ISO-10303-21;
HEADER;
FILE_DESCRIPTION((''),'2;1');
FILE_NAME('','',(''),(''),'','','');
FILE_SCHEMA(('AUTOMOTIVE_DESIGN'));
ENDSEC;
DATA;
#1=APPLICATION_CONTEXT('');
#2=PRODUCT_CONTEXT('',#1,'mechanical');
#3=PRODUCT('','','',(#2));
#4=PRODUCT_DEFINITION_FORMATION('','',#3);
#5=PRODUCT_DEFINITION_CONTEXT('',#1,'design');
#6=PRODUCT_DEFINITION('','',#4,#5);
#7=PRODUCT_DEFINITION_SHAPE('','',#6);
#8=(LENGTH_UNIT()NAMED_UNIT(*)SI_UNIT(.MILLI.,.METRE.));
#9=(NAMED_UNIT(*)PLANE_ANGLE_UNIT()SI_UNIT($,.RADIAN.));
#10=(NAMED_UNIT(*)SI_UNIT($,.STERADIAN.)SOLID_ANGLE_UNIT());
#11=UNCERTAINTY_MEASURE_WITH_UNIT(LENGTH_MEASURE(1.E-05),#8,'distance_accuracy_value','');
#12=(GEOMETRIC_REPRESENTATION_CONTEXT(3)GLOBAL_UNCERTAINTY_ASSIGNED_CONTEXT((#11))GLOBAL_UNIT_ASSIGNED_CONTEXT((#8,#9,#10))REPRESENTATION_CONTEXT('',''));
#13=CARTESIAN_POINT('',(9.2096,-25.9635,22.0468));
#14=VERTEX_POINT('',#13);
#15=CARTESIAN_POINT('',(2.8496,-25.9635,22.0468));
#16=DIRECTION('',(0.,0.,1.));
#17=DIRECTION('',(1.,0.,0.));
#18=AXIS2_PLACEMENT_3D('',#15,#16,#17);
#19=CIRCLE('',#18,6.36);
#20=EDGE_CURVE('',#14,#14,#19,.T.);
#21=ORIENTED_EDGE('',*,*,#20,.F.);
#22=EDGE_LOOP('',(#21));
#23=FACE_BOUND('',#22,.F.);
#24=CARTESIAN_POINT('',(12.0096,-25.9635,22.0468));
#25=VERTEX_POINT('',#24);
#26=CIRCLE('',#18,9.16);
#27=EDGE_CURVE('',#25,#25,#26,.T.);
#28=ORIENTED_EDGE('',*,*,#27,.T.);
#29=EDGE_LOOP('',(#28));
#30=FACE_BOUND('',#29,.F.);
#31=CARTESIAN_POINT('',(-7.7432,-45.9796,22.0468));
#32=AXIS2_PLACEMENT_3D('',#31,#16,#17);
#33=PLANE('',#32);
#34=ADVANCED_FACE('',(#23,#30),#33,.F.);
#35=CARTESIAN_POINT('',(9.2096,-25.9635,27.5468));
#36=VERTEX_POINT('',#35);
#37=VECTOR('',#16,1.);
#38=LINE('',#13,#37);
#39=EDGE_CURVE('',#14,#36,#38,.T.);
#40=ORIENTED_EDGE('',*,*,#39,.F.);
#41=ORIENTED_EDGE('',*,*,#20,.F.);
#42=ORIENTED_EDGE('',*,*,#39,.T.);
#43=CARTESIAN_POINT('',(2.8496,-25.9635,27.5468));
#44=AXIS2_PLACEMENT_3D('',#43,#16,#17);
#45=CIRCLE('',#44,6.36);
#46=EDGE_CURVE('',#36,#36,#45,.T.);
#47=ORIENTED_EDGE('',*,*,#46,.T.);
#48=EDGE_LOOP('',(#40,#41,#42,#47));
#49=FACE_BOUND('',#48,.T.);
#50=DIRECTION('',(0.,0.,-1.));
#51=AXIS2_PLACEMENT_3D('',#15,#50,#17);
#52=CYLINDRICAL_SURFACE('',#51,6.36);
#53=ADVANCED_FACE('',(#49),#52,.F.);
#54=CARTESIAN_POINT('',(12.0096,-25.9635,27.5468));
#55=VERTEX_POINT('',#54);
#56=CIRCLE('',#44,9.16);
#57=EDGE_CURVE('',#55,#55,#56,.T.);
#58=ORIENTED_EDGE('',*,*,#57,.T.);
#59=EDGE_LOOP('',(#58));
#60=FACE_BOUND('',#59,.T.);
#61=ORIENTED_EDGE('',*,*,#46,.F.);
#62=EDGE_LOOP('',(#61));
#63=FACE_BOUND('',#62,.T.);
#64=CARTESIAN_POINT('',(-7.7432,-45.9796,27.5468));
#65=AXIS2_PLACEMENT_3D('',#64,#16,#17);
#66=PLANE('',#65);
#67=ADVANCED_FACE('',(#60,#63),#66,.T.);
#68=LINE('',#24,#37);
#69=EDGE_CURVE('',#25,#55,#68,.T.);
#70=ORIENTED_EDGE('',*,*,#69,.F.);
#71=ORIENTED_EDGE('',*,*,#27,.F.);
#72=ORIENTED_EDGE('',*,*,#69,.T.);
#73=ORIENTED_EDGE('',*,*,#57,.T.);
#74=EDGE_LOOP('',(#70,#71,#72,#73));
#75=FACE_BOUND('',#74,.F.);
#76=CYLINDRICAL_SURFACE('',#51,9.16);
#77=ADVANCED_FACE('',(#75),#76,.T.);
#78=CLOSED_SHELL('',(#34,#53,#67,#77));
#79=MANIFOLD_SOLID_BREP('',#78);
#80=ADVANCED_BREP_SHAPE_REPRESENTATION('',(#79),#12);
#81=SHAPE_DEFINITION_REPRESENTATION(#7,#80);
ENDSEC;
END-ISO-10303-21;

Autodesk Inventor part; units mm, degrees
ref_plane "YZ Plane" through (0, 0, 0) normal (1, 0, 0) x (0, 1, 0)
ref_plane "XZ Plane" through (0, 0, 0) normal (0, 1, 0) x (-1, 0, 0)
ref_plane "XY Plane" through (0, 0, 0) normal (0, 0, 1) x (1, 0, 0)
ref_plane "Work Plane1" through (-7.7432, -45.9796, 22.0468) normal (0, 0, 1) x (1, 0, 0)
sketch "Sketch1" plane through (-7.7432, -45.9796, 22.0468) normal (0, 0, 1) x (1, 0, 0)
  spline S0 degree 3 number of poles 65 construction
  arc A0 (-1.7513, 49.5393) -> (-3.0984, 48.9393) centre (10.5928, 20.0161) ccw construction
  spline S1 degree 3 number of poles 65 construction
  arc A1 (-7.6198, 46.3277) -> (-8.8127, 45.4607) centre (10.5928, 20.0161) ccw construction
  spline S2 degree 3 number of poles 65 construction
  arc A2 (-12.6923, 41.9661) -> (-13.6789, 40.87) centre (10.5928, 20.0161) ccw construction
  spline S3 degree 3 number of poles 65 construction
  arc A3 (-16.7471, 36.6452) -> (-17.4843, 35.3679) centre (10.5928, 20.0161) ccw construction
  spline S4 degree 3 number of poles 65 construction
  arc A4 (-19.6071, 30.5975) -> (-20.0625, 29.1949) centre (10.5928, 20.0161) ccw construction
  spline S5 degree 3 number of poles 65 construction
  arc A5 (-21.1471, 24.0874) -> (-21.301, 22.6207) centre (10.5928, 20.0161) ccw construction
  spline S6 degree 3 number of poles 65 construction
  arc A6 (-21.3, 17.3993) -> (-21.1456, 15.9327) centre (10.5928, 20.0161) ccw construction
  spline S7 degree 3 number of poles 65 construction
  arc A7 (-20.059, 10.8256) -> (-19.603, 9.4231) centre (10.5928, 20.0161) ccw construction
  spline S8 degree 3 number of poles 65 construction
  arc A8 (-17.4784, 4.6536) -> (-16.7408, 3.3766) centre (10.5928, 20.0161) ccw construction
  spline S9 degree 3 number of poles 65 construction
  arc A9 (-13.6709, -0.8471) -> (-12.6839, -1.9428) centre (10.5928, 20.0161) ccw construction
  spline S10 degree 3 number of poles 65 construction
  arc A10 (-8.803, -5.4359) -> (-7.6098, -6.3025) centre (10.5928, 20.0161) ccw construction
  spline S11 degree 3 number of poles 65 construction
  arc A11 (-3.0874, -8.9123) -> (-1.7401, -9.5119) centre (10.5928, 20.0161) ccw construction
  spline S12 degree 3 number of poles 65 construction
  arc A12 (3.2261, -11.1244) -> (4.6687, -11.4307) centre (10.5928, 20.0161) ccw construction
  spline S13 degree 3 number of poles 65 construction
  arc A13 (9.8616, -11.9755) -> (11.3363, -11.9753) centre (10.5928, 20.0161) ccw construction
  spline S14 degree 3 number of poles 65 construction
  arc A14 (16.529, -11.4285) -> (17.9714, -11.1216) centre (10.5928, 20.0161) ccw construction
  spline S15 degree 3 number of poles 65 construction
  arc A15 (22.937, -9.5071) -> (24.2841, -8.9071) centre (10.5928, 20.0161) ccw construction
  spline S16 degree 3 number of poles 65 construction
  arc A16 (28.8054, -6.2955) -> (29.9983, -5.4284) centre (10.5928, 20.0161) ccw construction
  spline S17 degree 3 number of poles 65 construction
  arc A17 (33.8779, -1.9339) -> (34.8645, -0.8378) centre (10.5928, 20.0161) ccw construction
  spline S18 degree 3 number of poles 65 construction
  arc A18 (37.9328, 3.387) -> (38.6699, 4.6643) centre (10.5928, 20.0161) ccw construction
  spline S19 degree 3 number of poles 65 construction
  arc A19 (40.7927, 9.4347) -> (41.2482, 10.8373) centre (10.5928, 20.0161) ccw construction
  spline S20 degree 3 number of poles 65 construction
  arc A20 (42.3328, 15.9448) -> (42.4866, 17.4115) centre (10.5928, 20.0161) ccw construction
  spline S21 degree 3 number of poles 65 construction
  arc A21 (42.4856, 22.6329) -> (42.3312, 24.0995) centre (10.5928, 20.0161) ccw construction
  spline S22 degree 3 number of poles 65 construction
  arc A22 (41.2446, 29.2066) -> (40.7887, 30.6091) centre (10.5928, 20.0161) ccw construction
  spline S23 degree 3 number of poles 65 construction
  arc A23 (38.664, 35.3786) -> (37.9264, 36.6557) centre (10.5928, 20.0161) ccw construction
  spline S24 degree 3 number of poles 65 construction
  arc A24 (34.8565, 40.8793) -> (33.8695, 41.975) centre (10.5928, 20.0161) ccw construction
  spline S25 degree 3 number of poles 65 construction
  arc A25 (29.9886, 45.4681) -> (28.7954, 46.3347) centre (10.5928, 20.0161) ccw construction
  spline S26 degree 3 number of poles 65 construction
  arc A26 (24.273, 48.9445) -> (22.9257, 49.5441) centre (10.5928, 20.0161) ccw construction
  spline S27 degree 3 number of poles 65 construction
  arc A27 (17.9595, 51.1566) -> (16.517, 51.463) centre (10.5928, 20.0161) ccw construction
  spline S28 degree 3 number of poles 65 construction
  arc A28 (11.3241, 52.0077) -> (9.8493, 52.0075) centre (10.5928, 20.0161) ccw construction
  spline S29 degree 3 number of poles 65 construction
  arc A29 (4.6566, 51.4607) -> (3.2142, 51.1538) centre (10.5928, 20.0161) ccw construction
  circle A30 centre (10.5928, 20.0161) radius 6.16 construction
  line L0 (27.8335, 2.609) -> (17.5359, 14.0412) construction
  arc A31 (17.5359, 14.0412) -> (19.3648, 22.6538) centre (10.5928, 20.0161) ccw construction
  line L1 (19.3648, 22.6538) -> (33.4197, 28.9146) construction
  arc A32 (27.8335, 2.609) -> (33.4197, 28.9146) centre (10.5928, 20.0161) ccw construction
  line L2 (-0.6347, -1.7599) -> (7.0559, 11.5665) construction
  arc A33 (7.0559, 11.5665) -> (15.8121, 12.4885) centre (10.5928, 20.0161) ccw construction
  line L3 (15.8121, 12.4885) -> (26.1097, 1.0562) construction
  arc A34 (-0.6347, -1.7599) -> (26.1097, 1.0562) centre (10.5928, 20.0161) ccw construction
  line L4 (6.8765, 44.2326) -> (8.4877, 28.9309) construction
  arc A35 (8.4877, 28.9309) -> (1.9457, 23.0382) centre (10.5928, 20.0161) ccw construction
  line L5 (1.9457, 23.0382) -> (-13.1049, 26.2343) construction
  arc A36 (6.8765, 44.2326) -> (-13.1049, 26.2343) centre (10.5928, 20.0161) ccw construction
  line L6 (10.7949, 29.1739) -> (9.1837, 44.4755) construction
  arc A37 (32.4757, 31.0339) -> (9.1837, 44.4755) centre (10.5928, 20.0161) ccw construction
  line L7 (32.4757, 31.0339) -> (18.4208, 24.773) construction
  arc A38 (18.4208, 24.773) -> (10.7949, 29.1739) centre (10.5928, 20.0161) ccw construction
  line L8 (-13.5869, 23.965) -> (1.4638, 20.7688) construction
  arc A39 (1.4638, 20.7688) -> (5.0465, 12.7261) centre (10.5928, 20.0161) ccw construction
  line L9 (5.0465, 12.7261) -> (-2.6441, -0.6003) construction
  arc A40 (-13.5869, 23.965) -> (-2.6441, -0.6003) centre (10.5928, 20.0161) ccw construction
  circle A41 centre (10.5928, 20.0161) radius 5.86 construction
  circle A42 centre (10.5928, 20.0161) radius 3.86 construction
  circle A43 centre (10.5928, 20.0161) radius 6.36
  circle A44 centre (10.5928, 20.0161) radius 9.16
  point P0 (7.7432, 45.9796)
  dimension "d0" = 0.5
extrude "Extrusion1" add sketch "Sketch1" along normal blind 5.5
properties part number "spacerA_V3"
